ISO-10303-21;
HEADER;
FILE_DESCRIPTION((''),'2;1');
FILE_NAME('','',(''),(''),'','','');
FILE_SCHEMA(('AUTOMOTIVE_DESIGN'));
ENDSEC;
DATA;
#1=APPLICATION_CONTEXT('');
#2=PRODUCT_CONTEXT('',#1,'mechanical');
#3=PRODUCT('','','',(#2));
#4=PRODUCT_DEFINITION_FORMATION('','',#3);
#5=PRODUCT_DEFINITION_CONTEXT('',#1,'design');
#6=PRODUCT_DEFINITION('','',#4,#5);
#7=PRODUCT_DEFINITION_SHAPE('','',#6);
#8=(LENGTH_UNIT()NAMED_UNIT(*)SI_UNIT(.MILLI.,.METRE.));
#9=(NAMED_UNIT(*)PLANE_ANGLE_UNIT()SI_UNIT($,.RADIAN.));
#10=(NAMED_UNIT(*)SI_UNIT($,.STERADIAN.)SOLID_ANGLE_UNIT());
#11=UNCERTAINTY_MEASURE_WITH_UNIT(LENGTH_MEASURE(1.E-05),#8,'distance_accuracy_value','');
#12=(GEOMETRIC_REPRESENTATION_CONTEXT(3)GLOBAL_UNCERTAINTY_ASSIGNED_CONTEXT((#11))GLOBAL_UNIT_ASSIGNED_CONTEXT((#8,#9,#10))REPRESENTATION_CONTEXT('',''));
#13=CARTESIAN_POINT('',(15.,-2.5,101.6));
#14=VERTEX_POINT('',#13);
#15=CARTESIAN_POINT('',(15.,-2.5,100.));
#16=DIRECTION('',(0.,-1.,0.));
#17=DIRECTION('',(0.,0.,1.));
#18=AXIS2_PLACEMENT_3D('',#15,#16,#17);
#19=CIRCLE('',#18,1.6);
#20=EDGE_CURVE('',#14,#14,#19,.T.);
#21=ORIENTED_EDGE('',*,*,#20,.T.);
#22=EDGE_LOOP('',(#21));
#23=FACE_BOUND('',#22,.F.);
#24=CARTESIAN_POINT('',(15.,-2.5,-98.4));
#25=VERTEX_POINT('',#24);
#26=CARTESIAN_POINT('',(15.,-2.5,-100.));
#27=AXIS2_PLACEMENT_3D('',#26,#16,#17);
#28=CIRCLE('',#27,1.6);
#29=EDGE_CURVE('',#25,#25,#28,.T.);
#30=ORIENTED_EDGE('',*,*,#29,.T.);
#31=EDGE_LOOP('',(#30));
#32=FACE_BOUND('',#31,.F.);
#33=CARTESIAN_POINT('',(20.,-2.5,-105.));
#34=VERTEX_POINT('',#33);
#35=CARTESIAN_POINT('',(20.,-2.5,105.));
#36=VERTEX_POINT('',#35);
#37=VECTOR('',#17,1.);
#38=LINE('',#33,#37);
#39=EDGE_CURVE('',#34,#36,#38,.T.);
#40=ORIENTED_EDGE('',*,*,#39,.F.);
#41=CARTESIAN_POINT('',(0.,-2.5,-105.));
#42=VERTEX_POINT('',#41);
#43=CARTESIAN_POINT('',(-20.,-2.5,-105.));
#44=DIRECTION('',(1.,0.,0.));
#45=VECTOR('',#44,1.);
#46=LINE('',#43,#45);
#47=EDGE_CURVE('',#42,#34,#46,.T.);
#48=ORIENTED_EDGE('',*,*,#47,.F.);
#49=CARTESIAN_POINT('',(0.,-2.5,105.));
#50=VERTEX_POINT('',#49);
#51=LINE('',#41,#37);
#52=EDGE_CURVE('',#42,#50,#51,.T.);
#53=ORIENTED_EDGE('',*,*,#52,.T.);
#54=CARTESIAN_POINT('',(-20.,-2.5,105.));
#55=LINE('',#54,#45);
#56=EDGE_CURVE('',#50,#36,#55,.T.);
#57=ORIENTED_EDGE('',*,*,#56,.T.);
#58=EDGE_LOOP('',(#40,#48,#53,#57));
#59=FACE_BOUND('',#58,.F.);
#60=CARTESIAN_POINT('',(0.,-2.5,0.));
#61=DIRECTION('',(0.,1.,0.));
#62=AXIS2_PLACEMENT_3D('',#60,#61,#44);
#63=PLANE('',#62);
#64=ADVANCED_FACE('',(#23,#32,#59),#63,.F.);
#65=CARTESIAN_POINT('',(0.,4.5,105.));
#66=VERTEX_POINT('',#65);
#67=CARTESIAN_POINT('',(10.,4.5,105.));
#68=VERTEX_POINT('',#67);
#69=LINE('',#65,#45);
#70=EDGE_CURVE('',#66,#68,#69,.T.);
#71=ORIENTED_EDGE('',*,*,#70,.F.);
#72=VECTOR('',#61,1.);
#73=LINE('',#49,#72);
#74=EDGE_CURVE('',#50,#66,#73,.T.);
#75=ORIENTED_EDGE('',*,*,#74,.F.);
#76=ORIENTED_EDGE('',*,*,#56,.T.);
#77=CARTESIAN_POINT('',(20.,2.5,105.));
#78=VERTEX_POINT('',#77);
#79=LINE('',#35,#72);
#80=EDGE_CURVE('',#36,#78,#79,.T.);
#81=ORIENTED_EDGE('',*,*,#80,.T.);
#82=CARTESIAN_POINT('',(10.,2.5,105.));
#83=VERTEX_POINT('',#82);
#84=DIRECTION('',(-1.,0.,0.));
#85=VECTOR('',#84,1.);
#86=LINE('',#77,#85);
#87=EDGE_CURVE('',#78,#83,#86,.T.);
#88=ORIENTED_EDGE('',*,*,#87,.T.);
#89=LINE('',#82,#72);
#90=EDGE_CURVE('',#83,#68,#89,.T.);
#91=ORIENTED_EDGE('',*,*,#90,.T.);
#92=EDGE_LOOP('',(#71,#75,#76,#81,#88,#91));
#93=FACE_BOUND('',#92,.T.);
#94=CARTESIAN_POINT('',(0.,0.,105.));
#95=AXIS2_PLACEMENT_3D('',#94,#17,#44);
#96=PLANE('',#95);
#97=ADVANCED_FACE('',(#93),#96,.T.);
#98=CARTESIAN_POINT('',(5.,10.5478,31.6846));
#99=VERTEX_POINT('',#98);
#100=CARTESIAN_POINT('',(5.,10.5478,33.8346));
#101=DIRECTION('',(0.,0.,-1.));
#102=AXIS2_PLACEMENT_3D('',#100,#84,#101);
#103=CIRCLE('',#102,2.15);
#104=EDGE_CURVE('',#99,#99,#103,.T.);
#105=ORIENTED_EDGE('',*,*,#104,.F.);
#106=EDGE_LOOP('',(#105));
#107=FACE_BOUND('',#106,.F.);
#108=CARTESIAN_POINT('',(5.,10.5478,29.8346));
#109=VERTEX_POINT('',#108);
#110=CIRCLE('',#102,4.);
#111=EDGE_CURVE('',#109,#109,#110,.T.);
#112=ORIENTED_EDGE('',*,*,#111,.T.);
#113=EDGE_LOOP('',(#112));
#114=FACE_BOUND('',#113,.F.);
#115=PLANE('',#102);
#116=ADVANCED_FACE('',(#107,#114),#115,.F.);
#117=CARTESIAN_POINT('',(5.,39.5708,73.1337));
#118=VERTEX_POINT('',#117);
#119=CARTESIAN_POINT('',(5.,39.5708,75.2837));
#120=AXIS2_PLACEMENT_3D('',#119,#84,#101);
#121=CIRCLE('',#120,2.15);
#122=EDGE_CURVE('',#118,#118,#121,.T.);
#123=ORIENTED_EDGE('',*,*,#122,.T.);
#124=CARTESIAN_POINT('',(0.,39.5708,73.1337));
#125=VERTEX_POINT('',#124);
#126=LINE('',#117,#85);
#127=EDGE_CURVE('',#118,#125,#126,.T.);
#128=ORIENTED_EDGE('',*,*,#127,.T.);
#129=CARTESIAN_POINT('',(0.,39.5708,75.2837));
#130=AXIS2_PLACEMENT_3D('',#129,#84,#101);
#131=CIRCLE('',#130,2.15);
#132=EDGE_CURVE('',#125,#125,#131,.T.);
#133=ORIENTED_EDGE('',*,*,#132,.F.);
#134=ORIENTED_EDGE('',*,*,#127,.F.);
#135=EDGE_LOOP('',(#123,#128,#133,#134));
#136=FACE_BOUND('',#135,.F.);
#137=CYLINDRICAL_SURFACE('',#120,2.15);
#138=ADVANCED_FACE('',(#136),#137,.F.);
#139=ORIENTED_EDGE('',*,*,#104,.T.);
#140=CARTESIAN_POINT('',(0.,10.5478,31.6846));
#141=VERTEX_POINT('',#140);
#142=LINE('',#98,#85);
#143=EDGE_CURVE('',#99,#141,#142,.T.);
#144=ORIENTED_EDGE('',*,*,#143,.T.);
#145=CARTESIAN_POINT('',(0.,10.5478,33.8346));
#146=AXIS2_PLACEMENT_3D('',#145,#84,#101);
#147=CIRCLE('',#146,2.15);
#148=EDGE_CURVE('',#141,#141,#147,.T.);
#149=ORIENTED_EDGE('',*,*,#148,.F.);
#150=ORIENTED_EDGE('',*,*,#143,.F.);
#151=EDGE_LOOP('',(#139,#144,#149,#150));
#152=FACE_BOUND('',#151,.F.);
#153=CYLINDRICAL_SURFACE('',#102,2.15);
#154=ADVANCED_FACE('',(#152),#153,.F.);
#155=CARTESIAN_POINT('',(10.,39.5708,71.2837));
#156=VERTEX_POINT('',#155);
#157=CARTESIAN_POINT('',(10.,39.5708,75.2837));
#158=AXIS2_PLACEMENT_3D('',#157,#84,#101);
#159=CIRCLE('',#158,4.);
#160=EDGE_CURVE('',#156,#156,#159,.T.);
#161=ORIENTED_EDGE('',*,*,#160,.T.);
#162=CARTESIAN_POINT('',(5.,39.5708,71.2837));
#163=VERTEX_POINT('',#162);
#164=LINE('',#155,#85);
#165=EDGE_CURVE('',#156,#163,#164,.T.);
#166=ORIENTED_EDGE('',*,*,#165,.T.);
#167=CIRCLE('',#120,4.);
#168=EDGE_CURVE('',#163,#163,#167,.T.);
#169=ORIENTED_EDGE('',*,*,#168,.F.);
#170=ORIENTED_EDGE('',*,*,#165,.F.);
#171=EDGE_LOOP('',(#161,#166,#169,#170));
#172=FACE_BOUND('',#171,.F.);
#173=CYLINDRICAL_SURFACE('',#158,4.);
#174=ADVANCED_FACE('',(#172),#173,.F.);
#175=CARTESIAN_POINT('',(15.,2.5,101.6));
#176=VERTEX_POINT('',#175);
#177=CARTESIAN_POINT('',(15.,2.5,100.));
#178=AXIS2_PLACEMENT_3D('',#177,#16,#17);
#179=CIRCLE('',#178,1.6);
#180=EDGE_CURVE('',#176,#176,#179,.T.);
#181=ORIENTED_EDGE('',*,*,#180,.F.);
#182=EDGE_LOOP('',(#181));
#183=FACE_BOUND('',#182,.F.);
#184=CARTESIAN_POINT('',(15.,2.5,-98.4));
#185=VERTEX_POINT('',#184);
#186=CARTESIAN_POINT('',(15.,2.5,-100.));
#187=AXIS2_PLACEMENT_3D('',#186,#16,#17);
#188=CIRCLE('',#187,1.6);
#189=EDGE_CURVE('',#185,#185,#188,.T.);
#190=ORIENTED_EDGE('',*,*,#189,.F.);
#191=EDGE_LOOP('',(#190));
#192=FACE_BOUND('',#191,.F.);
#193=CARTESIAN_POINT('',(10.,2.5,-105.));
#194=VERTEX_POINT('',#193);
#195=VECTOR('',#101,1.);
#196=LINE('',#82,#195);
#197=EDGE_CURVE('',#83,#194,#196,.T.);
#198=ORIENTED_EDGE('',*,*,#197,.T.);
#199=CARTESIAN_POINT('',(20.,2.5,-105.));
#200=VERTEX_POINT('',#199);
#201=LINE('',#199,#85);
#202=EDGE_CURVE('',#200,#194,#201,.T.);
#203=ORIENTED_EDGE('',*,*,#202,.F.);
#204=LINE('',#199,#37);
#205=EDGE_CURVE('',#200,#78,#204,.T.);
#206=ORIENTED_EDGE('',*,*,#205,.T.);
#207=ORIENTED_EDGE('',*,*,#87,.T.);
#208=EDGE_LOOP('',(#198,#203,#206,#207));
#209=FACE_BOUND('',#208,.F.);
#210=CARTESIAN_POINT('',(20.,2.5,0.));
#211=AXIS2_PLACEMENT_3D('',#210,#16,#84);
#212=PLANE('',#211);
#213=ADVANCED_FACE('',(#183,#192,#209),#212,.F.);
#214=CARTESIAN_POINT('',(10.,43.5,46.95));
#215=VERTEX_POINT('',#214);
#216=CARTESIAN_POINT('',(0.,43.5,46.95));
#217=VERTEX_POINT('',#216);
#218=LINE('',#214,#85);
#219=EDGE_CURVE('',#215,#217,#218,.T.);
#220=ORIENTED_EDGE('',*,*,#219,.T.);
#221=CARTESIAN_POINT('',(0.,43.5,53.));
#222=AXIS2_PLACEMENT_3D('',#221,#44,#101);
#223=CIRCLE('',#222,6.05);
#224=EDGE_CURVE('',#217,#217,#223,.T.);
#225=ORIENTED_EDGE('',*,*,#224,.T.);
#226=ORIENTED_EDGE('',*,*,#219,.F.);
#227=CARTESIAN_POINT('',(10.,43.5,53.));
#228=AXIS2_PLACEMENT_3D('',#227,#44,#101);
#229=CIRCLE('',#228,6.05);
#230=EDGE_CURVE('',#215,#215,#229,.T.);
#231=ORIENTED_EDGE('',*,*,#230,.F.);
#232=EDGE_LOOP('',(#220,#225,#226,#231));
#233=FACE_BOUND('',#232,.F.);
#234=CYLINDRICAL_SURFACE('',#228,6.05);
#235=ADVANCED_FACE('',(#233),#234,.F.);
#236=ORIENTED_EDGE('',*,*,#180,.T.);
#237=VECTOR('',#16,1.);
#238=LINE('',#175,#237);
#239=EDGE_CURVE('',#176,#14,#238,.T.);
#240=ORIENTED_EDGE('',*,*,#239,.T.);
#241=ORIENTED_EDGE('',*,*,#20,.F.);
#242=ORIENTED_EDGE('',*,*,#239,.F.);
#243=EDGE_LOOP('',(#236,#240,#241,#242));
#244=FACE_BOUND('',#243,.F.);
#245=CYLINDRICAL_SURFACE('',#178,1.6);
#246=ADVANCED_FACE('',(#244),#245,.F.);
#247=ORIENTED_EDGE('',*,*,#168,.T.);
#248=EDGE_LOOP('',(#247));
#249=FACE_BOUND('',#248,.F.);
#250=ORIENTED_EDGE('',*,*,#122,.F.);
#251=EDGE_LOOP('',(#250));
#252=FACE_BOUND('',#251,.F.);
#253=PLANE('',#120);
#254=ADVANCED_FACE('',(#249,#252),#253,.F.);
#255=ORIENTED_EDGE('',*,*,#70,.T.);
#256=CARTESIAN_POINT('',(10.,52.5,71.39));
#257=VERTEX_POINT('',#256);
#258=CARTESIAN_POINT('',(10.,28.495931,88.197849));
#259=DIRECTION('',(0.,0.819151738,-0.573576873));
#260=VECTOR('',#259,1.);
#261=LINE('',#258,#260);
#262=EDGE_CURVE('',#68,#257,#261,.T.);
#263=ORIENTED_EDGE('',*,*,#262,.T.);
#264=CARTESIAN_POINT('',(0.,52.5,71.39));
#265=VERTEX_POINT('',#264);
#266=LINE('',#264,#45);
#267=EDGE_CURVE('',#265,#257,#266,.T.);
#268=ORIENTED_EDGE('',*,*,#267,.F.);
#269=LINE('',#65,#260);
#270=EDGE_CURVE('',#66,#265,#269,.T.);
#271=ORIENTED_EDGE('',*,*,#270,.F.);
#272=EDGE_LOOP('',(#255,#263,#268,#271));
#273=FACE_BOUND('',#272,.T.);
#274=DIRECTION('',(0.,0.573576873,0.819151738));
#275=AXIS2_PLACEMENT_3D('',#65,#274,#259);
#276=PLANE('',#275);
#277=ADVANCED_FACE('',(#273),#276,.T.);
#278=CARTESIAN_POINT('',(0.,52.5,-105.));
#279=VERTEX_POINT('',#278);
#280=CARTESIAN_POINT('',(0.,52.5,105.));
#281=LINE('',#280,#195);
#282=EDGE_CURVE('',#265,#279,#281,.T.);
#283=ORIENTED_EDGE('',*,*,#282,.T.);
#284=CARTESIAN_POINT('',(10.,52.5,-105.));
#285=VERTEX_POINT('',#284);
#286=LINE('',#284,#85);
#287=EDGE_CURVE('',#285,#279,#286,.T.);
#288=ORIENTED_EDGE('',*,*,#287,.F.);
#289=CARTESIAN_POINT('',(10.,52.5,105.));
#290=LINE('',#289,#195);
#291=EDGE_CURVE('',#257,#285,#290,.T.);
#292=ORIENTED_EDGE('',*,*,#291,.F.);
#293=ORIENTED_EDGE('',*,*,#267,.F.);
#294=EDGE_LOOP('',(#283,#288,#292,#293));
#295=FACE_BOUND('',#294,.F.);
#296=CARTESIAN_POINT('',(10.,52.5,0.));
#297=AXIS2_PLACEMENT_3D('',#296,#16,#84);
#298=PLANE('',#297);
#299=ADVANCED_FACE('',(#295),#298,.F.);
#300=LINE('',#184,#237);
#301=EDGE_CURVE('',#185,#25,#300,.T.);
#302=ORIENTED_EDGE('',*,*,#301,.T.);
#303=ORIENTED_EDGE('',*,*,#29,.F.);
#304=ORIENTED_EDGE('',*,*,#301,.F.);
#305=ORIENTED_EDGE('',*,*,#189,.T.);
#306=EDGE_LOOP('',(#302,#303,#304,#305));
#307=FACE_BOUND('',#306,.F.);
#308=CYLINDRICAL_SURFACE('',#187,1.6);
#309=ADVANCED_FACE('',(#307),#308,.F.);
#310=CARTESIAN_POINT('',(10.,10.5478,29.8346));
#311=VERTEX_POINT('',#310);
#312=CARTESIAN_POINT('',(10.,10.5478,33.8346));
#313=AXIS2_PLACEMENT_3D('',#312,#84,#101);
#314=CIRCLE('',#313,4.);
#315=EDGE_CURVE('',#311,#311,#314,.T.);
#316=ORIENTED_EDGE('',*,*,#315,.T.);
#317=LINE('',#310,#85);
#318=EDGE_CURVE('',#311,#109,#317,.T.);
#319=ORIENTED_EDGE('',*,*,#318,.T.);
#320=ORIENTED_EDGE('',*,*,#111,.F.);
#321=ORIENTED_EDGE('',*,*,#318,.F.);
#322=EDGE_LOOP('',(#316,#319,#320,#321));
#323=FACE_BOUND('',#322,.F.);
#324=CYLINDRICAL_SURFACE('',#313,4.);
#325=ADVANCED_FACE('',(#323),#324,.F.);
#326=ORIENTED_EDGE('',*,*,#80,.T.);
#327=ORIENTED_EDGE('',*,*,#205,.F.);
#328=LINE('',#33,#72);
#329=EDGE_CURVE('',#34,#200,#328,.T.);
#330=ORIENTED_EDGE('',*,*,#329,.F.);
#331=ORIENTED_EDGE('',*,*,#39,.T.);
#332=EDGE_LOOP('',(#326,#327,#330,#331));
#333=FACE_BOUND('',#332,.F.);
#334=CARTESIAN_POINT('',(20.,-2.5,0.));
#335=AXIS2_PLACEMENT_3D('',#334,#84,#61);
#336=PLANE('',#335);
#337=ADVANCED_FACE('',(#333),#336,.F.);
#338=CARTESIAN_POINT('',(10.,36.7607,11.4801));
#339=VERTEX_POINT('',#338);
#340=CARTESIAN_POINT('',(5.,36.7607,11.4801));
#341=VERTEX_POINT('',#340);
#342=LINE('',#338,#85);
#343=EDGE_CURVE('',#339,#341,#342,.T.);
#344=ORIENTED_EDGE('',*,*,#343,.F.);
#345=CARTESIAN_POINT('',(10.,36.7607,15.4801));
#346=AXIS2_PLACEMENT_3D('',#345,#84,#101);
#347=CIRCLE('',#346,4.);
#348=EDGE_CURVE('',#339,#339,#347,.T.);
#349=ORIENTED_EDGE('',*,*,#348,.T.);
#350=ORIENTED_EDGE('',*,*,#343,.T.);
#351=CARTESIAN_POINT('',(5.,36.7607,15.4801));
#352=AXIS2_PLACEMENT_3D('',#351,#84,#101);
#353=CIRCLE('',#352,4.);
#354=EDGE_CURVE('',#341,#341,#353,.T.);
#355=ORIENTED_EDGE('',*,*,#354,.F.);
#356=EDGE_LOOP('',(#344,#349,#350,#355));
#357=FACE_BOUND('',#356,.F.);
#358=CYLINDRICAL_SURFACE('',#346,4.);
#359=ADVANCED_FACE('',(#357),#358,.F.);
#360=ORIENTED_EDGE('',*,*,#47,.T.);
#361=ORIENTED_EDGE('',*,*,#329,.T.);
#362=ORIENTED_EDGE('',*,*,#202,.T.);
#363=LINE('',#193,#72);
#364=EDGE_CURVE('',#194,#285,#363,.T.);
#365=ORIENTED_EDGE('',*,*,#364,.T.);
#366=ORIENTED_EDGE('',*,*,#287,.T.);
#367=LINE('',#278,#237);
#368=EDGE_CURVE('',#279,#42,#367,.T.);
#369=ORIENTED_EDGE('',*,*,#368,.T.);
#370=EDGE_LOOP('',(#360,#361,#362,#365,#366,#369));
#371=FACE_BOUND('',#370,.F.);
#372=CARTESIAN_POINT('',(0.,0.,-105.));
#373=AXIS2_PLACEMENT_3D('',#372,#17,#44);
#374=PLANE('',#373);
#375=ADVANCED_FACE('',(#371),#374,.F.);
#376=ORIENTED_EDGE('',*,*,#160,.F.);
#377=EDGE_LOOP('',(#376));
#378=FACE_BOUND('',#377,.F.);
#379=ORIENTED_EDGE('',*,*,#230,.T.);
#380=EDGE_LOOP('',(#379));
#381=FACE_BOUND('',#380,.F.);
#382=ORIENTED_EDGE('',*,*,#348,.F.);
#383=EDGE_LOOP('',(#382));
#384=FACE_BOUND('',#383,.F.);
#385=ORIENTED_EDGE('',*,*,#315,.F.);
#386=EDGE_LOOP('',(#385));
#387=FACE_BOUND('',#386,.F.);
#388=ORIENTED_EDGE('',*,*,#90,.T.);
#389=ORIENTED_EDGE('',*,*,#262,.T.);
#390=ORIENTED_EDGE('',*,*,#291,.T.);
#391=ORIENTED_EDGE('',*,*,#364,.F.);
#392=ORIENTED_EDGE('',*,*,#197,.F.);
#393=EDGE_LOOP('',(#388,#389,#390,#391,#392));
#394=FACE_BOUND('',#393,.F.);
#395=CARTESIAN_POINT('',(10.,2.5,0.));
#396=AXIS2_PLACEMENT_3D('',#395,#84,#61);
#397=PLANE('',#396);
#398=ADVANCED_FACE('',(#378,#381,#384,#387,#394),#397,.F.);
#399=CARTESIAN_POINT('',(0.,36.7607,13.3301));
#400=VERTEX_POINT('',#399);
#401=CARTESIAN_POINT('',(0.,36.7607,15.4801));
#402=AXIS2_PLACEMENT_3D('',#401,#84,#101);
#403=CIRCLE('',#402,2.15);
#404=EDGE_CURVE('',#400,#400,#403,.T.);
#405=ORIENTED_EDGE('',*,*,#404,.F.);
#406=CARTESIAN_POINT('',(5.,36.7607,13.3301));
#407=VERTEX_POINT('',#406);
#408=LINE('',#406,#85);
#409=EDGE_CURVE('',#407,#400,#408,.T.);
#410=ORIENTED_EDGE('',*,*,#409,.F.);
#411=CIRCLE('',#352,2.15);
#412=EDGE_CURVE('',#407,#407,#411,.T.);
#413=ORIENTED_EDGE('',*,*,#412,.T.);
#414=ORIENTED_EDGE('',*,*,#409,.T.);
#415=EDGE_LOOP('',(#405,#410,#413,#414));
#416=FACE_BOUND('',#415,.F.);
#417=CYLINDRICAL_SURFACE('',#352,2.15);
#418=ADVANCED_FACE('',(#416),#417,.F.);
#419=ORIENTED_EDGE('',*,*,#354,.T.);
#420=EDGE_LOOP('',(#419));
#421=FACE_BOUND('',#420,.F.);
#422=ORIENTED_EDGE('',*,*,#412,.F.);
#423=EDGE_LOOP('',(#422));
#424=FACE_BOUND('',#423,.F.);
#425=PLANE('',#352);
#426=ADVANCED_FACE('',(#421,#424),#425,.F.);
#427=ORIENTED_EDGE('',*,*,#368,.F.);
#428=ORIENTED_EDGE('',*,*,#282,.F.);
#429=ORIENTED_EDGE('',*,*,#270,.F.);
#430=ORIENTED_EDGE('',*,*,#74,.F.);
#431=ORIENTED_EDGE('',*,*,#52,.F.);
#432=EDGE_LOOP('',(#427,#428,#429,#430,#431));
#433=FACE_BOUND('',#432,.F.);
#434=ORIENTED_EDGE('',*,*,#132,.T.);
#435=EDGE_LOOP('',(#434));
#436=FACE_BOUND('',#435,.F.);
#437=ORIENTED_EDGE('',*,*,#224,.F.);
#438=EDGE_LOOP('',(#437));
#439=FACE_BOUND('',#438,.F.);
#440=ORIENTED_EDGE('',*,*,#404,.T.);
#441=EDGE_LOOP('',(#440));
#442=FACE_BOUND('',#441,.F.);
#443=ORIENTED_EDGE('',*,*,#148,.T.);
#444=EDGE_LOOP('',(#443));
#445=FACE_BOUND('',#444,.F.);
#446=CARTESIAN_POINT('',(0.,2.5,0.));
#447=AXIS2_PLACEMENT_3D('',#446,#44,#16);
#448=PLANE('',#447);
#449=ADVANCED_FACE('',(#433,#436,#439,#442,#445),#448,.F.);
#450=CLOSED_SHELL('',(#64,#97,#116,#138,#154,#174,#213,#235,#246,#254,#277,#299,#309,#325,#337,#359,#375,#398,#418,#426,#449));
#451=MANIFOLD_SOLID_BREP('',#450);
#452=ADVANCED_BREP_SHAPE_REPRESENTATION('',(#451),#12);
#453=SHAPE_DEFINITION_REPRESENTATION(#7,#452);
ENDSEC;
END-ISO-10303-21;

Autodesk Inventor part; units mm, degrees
ref_plane "YZ Plane" through (0, 0, 0) normal (1, 0, 0) x (0, 1, 0)
ref_plane "XZ Plane" through (0, 0, 0) normal (0, 1, 0) x (-1, 0, 0)
ref_plane "XY Plane" through (0, 0, 0) normal (0, 0, 1) x (1, 0, 0)
sketch "スケッチ1" plane through (0, 0, 0) normal (0, 0, 1) x (1, 0, 0)
  line L0 (-20, -2.5) -> (20, -2.5)
  line L1 (20, -2.5) -> (20, 2.5)
  line L2 (-20, 2.5) -> (-20, -2.5)
  line L3 (-20, -2.5) -> (20, 2.5) construction
  line L4 (20, -2.5) -> (-20, 2.5) construction
  line L5 (-10, 2.5) -> (10, 2.5)
  line L6 (10, 2.5) -> (10, 52.5)
  line L7 (10, 52.5) -> (-10, 52.5)
  line L8 (-10, 52.5) -> (-10, 2.5)
  line L9 (-10, 2.5) -> (10, 52.5) construction
  line L10 (10, 2.5) -> (-10, 52.5) construction
  line L11 (20, 2.5) -> (10, 2.5)
  line L12 (-10, 2.5) -> (-20, 2.5)
  line L13 (0, 52.5) -> (0, -2.5)
  point P0 (0, 0)
  point P1 (0, 27.5)
  point P2 (0, 27.5)
  point P3 (0, 0)
  dimension "d0" = 20
  dimension "d1" = 50
  dimension "d2" = 5
  dimension "d3" = 10
extrude "押し出し1" add sketch "スケッチ1" along normal mid plane 210 contours L13 L5 L11 L1 L0 | L13 L7 L6 L5
sketch "スケッチ4" plane through (0, -2.5, 105) normal (-1, 0, 0) x (0, 0, 1)
  line L0 (0, 7) -> (-33.61, 55)
  line L1 (-210, 55) -> (0, 55) projected
  line L2 (0, 55) -> (0, 0) projected
  line L3 (0, 5) -> (-210, 5) projected
  point P0 (-105, 2.5)
  dimension "d18" = 35
  dimension "d21" = 2
extrude "押し出し3" cut sketch "スケッチ4" against normal through all
sketch "スケッチ5" plane through (10, 2.5, -105) normal (1, 0, 0) x (0, 0, -1)
  circle A0 centre (-158, 41) radius 6.05
  line L0 (0, 0) -> (-210, 0) projected
  line L1 (-210, 0) -> (-210, 2) projected
  point P0 (-105, -2.5)
  dimension "d22" = 12.1
  dimension "d23" = 41
  dimension "d37" = 52
extrude "押し出し4" cut sketch "スケッチ5" against normal blind 10
sketch "スケッチ6" plane through (10, 2.5, 105) normal (0, 1, 0) x (1, 0, 0)
  line L0 (10, 210) -> (10, 0) projected
  line L1 (10, 0) -> (0, 0) projected
  line L2 (0, 210) -> (10, 210) projected
  point P0 (-10, 105)
  point P1 (5, 205)
  point P2 (5, 5)
  dimension "d27" = 5
  dimension "d28" = 5
  dimension "d29" = 5
hole "穴2" at (15, 2.5, -100) at (15, 2.5, 100) direction (0, -1, 0) diameter 3.2 end through all clearance for "Socket Head Cap Screw" size "M3" standard "Ansi Metric M Profile"
sketch "スケッチ7" plane through (10, -2.5, -105) normal (-1, 0, 0) x (0, 0, 1)
  line L0 (120.4801, 39.2607) -> (161.9292, 68.2837)
  line L1 (161.9292, 68.2837) -> (180.2837, 42.0708)
  line L2 (180.2837, 42.0708) -> (138.8346, 13.0478)
  line L3 (138.8346, 13.0478) -> (120.4801, 39.2607)
  line L4 (120.4801, 39.2607) -> (180.2837, 42.0708) construction
  line L5 (161.9292, 68.2837) -> (138.8346, 13.0478) construction
  circle A0 centre (158, 46) radius 6.05 projected
  line L6 (0, 0) -> (210, 0) projected
  point P0 (105, 2.5)
  dimension "d38" = 32
  dimension "d39" = 50.6
  dimension "d40" = 16
  dimension "d41" = 16
  dimension "d42" = 35
hole "穴3" at (10, 10.5478, 33.8346) at (10, 36.7607, 15.4801) at (10, 39.5708, 75.2837) direction (-1, 0, 0) diameter 4.3 end through all counterbore diameter 8 counterbore depth 5 clearance for "Socket Head Cap Screw" size "M4" standard "Ansi Metric M Profile"
equation "\"d40\" = 0.5 * d38"
properties part number "s_base4"
